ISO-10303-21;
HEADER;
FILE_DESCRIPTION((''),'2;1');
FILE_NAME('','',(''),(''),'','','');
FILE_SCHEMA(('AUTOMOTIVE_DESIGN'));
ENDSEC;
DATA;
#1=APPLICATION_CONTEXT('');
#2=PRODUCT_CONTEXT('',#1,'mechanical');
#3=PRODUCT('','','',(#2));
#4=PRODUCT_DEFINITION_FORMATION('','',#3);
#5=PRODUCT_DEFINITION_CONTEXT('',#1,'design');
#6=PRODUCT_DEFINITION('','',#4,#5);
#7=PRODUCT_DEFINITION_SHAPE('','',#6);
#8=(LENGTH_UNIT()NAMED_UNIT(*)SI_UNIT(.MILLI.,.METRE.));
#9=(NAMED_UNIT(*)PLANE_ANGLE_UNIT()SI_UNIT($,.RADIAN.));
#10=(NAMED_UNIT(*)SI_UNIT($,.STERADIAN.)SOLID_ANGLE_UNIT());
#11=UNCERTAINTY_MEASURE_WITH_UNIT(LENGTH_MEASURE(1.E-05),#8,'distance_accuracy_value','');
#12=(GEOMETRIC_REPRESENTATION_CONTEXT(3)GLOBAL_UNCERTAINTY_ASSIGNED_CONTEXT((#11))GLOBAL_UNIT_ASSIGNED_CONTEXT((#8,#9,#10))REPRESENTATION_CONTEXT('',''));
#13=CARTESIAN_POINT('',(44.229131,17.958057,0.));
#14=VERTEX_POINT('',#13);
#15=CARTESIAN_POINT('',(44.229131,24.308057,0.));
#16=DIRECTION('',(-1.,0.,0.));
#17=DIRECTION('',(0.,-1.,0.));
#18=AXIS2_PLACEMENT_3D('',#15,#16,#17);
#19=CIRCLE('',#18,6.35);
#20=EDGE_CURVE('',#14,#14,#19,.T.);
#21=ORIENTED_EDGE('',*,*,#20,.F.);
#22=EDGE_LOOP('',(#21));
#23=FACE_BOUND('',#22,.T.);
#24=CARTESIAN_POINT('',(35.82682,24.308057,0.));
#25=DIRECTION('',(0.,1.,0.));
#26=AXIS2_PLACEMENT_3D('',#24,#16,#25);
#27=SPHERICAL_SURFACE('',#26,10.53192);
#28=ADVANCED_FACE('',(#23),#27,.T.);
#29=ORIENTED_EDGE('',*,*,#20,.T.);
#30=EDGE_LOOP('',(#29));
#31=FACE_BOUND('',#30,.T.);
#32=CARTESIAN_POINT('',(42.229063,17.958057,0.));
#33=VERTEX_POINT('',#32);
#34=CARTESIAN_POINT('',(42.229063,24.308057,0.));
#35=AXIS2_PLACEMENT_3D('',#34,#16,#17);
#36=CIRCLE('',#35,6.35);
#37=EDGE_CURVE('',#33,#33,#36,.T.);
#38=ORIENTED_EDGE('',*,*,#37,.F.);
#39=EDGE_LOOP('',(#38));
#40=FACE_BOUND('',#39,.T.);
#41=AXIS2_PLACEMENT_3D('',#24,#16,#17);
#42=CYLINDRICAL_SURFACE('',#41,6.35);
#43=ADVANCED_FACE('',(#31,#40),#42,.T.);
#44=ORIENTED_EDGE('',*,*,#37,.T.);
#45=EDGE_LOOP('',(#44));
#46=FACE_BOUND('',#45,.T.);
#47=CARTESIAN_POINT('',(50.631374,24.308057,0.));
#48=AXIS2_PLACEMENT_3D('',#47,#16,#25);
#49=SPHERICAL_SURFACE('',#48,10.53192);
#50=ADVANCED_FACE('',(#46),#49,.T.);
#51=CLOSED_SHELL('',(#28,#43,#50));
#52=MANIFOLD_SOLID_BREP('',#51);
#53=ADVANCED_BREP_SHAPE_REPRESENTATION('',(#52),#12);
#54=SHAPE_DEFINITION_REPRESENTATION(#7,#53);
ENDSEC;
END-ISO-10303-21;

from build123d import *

# Parameters (mm, degrees)
SKETCH_1_ONE_SIDE_W = 2.000068571
SKETCH_1_ONE_SIDE_H = 6.35


with BuildPart() as part:
    # 草图1 one side → 旋转1 (revolve)
    with BuildSketch(Plane.XY):
        with Locations((43.229096888, 27.483056512)):
            Rectangle(SKETCH_1_ONE_SIDE_W, SKETCH_1_ONE_SIDE_H)
        with BuildLine():
            Line((40.09945403, 24.308056512), (42.229062602, 24.308056512))
            Line((42.229062602, 24.308056512), (42.229062602, 30.658056512))
            ThreePointArc((42.229062602, 30.658056512), (40.646039518, 27.65685229), (40.09945403, 24.308056512))
        make_face()
        with BuildLine():
            Line((44.229131173, 24.308056512), (46.358739744, 24.308056512))
            ThreePointArc((46.358739744, 24.308056512), (45.812154257, 27.65685229), (44.229131173, 30.658056512))
            Line((44.229131173, 30.658056512), (44.229131173, 24.308056512))
        make_face()
    revolve(axis=Axis((35.826820107, 24.308056512, 0), (1, 0, 0)))


solid = part.part
